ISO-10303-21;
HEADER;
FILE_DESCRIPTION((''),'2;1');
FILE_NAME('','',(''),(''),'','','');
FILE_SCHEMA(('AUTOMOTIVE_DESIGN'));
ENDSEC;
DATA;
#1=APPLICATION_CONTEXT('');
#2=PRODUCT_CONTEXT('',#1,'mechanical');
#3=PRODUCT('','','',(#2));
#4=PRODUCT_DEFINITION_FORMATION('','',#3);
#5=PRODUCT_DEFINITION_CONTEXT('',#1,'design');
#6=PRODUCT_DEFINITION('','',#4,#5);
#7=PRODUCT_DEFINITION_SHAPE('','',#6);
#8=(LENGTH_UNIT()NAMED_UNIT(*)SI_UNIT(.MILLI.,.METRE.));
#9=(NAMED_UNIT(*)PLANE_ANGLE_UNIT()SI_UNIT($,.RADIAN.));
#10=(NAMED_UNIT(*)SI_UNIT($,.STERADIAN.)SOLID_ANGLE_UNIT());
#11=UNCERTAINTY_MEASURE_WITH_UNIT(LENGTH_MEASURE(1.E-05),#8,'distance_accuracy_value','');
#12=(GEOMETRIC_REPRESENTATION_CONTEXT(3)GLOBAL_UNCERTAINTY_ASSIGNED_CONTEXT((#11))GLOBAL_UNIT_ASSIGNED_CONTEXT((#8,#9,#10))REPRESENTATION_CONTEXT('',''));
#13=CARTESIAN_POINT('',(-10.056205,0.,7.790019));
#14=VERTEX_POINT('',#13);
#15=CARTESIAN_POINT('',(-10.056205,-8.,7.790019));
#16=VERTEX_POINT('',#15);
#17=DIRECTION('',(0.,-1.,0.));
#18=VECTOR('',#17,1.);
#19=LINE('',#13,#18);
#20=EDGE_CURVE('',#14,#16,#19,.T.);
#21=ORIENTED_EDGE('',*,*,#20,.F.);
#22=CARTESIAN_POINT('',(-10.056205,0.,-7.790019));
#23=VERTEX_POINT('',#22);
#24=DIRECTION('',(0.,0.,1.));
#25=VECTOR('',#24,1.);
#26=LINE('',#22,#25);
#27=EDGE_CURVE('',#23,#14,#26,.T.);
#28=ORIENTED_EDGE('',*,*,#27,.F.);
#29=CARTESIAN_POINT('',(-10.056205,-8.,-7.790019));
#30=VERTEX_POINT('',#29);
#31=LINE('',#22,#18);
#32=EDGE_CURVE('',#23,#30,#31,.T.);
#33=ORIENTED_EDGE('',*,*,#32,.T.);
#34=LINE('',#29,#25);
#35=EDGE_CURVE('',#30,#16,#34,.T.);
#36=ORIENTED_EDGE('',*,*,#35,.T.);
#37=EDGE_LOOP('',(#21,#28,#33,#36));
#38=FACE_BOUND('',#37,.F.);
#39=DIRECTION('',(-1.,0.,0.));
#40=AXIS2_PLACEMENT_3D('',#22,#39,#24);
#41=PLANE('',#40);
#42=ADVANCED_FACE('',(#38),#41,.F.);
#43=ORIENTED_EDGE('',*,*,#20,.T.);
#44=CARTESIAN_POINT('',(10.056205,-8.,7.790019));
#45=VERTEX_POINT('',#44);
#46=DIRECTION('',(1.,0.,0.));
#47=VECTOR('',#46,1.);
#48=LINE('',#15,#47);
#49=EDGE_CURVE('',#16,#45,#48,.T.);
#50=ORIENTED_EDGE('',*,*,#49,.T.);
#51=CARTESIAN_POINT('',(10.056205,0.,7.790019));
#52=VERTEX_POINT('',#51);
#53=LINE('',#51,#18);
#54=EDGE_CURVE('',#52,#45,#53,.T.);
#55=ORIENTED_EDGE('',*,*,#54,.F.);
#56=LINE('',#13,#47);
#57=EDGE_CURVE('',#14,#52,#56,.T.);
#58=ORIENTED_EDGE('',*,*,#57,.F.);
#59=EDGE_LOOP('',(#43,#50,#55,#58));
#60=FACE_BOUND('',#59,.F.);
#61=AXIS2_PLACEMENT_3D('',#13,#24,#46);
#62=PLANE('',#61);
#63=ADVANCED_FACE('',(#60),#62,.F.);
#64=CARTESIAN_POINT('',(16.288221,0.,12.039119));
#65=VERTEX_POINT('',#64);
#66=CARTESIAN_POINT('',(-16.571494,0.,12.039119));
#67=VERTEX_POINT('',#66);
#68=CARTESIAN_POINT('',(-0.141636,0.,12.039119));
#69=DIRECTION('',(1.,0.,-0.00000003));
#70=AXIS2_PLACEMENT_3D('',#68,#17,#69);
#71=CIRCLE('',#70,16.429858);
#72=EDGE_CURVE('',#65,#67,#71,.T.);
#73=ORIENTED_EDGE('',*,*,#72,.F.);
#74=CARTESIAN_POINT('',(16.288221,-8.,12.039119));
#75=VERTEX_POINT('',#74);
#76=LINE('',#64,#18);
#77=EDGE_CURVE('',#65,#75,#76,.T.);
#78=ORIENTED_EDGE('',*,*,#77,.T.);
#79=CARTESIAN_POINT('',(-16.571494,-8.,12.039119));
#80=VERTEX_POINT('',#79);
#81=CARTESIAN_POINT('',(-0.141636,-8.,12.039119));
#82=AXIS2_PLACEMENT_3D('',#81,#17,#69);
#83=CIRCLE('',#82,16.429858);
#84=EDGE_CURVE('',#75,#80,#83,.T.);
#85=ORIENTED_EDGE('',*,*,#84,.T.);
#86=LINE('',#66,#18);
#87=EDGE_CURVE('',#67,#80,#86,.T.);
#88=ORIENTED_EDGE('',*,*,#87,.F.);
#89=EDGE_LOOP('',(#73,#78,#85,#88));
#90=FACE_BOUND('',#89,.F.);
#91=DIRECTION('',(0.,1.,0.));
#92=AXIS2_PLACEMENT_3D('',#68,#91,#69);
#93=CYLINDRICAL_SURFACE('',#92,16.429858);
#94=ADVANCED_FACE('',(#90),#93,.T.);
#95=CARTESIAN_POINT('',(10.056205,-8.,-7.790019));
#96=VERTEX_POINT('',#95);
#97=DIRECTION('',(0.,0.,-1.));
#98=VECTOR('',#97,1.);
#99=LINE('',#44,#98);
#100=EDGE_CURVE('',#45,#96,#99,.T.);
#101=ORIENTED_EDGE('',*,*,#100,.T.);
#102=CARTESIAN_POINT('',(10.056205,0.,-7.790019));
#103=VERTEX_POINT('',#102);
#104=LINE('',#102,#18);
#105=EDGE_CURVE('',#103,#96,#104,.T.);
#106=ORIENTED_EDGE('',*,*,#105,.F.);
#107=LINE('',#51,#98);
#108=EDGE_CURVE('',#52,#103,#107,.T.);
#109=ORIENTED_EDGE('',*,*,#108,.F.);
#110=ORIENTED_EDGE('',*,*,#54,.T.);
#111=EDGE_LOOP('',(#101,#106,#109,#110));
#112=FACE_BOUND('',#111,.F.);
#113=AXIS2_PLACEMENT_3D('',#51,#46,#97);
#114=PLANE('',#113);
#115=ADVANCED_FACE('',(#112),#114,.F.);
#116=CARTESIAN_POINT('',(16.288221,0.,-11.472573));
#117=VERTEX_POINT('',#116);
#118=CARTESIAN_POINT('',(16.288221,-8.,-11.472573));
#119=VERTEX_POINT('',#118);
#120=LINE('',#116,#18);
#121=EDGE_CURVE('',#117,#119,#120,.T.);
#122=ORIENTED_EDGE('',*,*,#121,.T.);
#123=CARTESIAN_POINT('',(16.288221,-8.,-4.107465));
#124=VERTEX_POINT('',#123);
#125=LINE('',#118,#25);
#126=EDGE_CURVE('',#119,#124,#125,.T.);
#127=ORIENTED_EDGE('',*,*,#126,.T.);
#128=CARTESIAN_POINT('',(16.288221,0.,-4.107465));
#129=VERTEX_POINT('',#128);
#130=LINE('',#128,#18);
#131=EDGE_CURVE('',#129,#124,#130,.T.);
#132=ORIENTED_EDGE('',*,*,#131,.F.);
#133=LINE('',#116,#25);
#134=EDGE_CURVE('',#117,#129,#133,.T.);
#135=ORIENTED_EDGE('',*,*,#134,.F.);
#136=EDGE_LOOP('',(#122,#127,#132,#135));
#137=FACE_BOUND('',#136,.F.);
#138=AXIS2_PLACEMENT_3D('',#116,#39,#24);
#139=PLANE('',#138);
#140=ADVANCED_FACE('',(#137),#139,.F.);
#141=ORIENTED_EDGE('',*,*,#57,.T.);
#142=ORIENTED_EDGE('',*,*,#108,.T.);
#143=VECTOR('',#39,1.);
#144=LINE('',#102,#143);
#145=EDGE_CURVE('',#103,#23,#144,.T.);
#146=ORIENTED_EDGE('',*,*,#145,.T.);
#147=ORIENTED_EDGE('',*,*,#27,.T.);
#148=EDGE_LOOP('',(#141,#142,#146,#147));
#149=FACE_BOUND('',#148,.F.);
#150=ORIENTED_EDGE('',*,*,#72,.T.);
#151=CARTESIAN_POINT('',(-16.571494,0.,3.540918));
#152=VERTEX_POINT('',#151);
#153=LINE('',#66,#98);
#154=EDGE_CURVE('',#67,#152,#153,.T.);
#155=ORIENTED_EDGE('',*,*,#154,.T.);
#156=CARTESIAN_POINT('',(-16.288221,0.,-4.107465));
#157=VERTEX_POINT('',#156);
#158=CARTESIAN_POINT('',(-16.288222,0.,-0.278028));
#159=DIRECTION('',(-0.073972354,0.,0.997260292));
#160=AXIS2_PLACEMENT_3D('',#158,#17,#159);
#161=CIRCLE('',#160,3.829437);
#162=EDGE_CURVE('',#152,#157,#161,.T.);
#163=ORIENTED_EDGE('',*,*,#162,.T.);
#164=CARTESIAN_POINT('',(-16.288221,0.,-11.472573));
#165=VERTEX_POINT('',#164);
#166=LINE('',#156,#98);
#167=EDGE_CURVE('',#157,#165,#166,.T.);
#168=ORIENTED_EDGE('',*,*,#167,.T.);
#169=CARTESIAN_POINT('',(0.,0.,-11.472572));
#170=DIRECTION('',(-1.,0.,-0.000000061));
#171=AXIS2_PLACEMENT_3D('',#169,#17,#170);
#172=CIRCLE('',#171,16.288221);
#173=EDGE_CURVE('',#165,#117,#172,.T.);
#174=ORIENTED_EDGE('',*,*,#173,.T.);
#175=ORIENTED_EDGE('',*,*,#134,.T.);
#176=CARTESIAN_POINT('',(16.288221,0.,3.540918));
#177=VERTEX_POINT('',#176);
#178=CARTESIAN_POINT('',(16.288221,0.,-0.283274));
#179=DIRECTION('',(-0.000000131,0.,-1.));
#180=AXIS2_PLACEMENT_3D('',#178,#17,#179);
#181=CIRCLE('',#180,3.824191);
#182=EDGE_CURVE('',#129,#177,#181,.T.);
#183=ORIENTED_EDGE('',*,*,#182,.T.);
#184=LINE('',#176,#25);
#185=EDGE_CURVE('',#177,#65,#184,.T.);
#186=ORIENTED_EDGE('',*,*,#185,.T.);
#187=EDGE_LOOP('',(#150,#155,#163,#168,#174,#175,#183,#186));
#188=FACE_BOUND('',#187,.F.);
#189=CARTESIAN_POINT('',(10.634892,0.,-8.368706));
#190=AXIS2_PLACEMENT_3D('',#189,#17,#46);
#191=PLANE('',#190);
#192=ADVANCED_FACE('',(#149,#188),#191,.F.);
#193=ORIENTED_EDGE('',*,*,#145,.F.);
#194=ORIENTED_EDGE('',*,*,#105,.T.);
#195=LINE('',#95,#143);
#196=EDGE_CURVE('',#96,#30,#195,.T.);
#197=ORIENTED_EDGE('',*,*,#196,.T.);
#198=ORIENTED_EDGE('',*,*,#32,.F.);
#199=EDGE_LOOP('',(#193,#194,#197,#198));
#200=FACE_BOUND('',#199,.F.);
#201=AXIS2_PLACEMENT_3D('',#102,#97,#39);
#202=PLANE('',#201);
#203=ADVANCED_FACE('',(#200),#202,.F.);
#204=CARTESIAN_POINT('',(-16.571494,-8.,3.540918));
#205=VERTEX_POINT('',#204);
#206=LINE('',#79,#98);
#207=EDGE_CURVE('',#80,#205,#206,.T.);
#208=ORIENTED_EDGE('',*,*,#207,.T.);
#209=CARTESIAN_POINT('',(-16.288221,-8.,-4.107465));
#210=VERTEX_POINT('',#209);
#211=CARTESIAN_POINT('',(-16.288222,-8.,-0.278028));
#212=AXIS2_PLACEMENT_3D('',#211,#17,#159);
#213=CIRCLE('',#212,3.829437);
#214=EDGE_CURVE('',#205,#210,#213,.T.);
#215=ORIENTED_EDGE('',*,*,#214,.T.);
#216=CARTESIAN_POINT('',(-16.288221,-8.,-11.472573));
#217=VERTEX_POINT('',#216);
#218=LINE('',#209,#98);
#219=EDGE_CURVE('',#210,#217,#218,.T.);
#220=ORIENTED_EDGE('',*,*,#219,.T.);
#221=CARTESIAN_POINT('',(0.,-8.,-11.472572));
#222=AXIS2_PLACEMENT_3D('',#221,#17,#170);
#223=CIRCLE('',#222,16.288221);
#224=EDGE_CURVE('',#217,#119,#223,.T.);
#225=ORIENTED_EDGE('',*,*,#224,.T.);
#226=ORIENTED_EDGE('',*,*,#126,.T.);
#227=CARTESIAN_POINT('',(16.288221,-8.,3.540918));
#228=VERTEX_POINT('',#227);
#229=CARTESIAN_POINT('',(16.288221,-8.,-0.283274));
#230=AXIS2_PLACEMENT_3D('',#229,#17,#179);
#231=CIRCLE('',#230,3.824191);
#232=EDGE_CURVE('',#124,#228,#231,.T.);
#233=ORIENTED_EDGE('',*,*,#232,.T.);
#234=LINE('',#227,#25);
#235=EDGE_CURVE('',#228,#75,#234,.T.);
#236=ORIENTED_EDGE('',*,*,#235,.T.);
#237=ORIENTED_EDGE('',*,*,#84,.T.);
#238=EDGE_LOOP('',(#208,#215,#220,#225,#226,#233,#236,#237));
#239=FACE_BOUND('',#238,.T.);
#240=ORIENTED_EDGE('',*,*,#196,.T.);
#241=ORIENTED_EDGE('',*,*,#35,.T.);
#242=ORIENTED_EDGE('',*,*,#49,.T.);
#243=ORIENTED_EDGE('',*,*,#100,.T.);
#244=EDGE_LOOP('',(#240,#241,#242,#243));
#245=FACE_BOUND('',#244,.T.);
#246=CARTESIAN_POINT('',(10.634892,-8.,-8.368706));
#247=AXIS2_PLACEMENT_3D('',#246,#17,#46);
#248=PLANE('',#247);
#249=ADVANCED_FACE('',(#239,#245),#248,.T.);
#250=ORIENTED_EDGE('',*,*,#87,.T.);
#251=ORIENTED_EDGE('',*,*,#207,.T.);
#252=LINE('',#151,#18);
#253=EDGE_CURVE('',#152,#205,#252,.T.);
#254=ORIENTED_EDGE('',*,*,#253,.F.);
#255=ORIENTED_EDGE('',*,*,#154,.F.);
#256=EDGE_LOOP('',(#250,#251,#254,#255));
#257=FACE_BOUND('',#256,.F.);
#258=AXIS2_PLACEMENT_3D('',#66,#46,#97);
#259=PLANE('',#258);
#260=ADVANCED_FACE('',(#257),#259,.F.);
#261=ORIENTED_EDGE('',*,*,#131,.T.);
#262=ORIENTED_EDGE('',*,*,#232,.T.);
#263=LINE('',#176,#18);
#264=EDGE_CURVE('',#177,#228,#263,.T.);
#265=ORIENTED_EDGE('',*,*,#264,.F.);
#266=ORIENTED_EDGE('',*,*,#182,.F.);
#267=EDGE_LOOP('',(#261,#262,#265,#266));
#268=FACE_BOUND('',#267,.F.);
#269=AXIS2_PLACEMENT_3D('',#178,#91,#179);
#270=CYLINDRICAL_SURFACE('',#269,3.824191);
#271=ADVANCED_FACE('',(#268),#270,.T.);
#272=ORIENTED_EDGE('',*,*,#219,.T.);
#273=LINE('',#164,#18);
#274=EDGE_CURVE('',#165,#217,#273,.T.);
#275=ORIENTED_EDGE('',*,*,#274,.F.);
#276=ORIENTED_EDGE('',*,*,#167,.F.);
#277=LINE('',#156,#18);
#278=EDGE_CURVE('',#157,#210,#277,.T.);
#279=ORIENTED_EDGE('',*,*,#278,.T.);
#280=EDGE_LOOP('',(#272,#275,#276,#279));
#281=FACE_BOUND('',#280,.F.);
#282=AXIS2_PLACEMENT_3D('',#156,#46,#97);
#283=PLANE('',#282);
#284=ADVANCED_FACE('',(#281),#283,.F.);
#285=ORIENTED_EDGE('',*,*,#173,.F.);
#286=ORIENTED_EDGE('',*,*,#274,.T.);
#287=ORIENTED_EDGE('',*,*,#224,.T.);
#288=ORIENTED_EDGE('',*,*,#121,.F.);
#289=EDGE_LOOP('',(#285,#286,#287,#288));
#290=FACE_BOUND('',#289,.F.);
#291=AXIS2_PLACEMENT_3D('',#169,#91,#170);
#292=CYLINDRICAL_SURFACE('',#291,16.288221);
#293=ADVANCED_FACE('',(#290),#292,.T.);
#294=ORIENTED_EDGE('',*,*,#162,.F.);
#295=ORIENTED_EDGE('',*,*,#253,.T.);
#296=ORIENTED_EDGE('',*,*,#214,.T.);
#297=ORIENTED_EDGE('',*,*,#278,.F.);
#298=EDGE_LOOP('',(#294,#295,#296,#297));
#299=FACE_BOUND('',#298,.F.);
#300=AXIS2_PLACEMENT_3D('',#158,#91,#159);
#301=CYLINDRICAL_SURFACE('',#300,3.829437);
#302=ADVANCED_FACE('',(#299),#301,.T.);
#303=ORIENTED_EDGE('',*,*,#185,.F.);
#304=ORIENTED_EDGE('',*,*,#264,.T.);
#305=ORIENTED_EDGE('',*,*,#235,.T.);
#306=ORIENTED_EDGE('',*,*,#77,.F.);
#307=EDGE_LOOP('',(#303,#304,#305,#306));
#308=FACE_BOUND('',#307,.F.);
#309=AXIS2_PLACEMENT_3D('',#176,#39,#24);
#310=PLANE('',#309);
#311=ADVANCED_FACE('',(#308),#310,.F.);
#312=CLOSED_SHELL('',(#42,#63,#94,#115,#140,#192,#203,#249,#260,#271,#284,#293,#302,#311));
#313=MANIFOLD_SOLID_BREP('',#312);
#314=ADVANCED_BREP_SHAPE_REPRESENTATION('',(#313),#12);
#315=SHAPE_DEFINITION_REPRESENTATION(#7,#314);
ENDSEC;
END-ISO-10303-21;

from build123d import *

# Parameters (mm, degrees)
F1_DEPTH = 8


with BuildPart() as f1:
    # F0 (on Front) → F1 (new body)
    with BuildSketch(Plane.XZ):
        Polygon((10.056205, -4.107465), (10.056205, -7.790019), (3.824189, -7.790019), (3.824189, -11.472573), (16.288221, -11.472573), (16.288221, -4.107465), align=None)
        with BuildLine():
            Line((3.824189, -11.472573), (3.824189, -7.790019))
            Line((3.824189, -7.790019), (-3.824189, -7.790019))
            Line((-3.824189, -7.790019), (-3.824189, -11.472573))
            Line((-3.824189, -11.472573), (-16.288221, -11.472573))
            ThreePointArc((-16.288221, -11.472573), (0, -27.760793), (16.288221, -11.472573))
            Line((16.288221, -11.472573), (3.824189, -11.472573))
        make_face()
        with BuildLine():
            Line((10.056205, 3.540918), (10.056205, -4.107465))
            Line((10.056205, -4.107465), (16.288221, -4.107465))
            ThreePointArc((16.288221, -4.107465), (20.112413, -0.283273), (16.288221, 3.540918))
            Line((16.288221, 3.540918), (10.056205, 3.540918))
        make_face()
        Polygon((-3.824189, -11.472573), (-3.824189, -7.790019), (-10.056205, -7.790019), (-10.056205, -4.107465), (-16.288221, -4.107465), (-16.288221, -11.472573), align=None)
        Polygon((10.056205, 7.790019), (10.056205, 3.540918), (16.288221, 3.540918), (16.288221, 12.039119), (3.824189, 12.039119), (3.824189, 7.790019), align=None)
        with BuildLine():
            Line((-16.288221, -4.107465), (-10.056205, -4.107465))
            Line((-10.056205, -4.107465), (-10.056205, 3.540918))
            Line((-10.056205, 3.540918), (-16.571494, 3.540918))
            ThreePointArc((-16.571494, 3.540918), (-20.115035, -0.419761), (-16.288221, -4.107465))
        make_face()
        with BuildLine():
            Line((-3.540916, 7.790019), (3.824189, 7.790019))
            Line((3.824189, 7.790019), (3.824189, 12.039119))
            Line((3.824189, 12.039119), (16.288221, 12.039119))
            ThreePointArc((16.288221, 12.039119), (-0.141636, 28.468977), (-16.571494, 12.039119))
            Line((-16.571494, 12.039119), (-3.540916, 12.039119))
            Line((-3.540916, 12.039119), (-3.540916, 7.790019))
        make_face()
        Polygon((-16.571494, 3.540918), (-10.056205, 3.540918), (-10.056205, 7.790019), (-3.540916, 7.790019), (-3.540916, 12.039119), (-16.571494, 12.039119), align=None)
    extrude(amount=F1_DEPTH)


solid = f1.part
